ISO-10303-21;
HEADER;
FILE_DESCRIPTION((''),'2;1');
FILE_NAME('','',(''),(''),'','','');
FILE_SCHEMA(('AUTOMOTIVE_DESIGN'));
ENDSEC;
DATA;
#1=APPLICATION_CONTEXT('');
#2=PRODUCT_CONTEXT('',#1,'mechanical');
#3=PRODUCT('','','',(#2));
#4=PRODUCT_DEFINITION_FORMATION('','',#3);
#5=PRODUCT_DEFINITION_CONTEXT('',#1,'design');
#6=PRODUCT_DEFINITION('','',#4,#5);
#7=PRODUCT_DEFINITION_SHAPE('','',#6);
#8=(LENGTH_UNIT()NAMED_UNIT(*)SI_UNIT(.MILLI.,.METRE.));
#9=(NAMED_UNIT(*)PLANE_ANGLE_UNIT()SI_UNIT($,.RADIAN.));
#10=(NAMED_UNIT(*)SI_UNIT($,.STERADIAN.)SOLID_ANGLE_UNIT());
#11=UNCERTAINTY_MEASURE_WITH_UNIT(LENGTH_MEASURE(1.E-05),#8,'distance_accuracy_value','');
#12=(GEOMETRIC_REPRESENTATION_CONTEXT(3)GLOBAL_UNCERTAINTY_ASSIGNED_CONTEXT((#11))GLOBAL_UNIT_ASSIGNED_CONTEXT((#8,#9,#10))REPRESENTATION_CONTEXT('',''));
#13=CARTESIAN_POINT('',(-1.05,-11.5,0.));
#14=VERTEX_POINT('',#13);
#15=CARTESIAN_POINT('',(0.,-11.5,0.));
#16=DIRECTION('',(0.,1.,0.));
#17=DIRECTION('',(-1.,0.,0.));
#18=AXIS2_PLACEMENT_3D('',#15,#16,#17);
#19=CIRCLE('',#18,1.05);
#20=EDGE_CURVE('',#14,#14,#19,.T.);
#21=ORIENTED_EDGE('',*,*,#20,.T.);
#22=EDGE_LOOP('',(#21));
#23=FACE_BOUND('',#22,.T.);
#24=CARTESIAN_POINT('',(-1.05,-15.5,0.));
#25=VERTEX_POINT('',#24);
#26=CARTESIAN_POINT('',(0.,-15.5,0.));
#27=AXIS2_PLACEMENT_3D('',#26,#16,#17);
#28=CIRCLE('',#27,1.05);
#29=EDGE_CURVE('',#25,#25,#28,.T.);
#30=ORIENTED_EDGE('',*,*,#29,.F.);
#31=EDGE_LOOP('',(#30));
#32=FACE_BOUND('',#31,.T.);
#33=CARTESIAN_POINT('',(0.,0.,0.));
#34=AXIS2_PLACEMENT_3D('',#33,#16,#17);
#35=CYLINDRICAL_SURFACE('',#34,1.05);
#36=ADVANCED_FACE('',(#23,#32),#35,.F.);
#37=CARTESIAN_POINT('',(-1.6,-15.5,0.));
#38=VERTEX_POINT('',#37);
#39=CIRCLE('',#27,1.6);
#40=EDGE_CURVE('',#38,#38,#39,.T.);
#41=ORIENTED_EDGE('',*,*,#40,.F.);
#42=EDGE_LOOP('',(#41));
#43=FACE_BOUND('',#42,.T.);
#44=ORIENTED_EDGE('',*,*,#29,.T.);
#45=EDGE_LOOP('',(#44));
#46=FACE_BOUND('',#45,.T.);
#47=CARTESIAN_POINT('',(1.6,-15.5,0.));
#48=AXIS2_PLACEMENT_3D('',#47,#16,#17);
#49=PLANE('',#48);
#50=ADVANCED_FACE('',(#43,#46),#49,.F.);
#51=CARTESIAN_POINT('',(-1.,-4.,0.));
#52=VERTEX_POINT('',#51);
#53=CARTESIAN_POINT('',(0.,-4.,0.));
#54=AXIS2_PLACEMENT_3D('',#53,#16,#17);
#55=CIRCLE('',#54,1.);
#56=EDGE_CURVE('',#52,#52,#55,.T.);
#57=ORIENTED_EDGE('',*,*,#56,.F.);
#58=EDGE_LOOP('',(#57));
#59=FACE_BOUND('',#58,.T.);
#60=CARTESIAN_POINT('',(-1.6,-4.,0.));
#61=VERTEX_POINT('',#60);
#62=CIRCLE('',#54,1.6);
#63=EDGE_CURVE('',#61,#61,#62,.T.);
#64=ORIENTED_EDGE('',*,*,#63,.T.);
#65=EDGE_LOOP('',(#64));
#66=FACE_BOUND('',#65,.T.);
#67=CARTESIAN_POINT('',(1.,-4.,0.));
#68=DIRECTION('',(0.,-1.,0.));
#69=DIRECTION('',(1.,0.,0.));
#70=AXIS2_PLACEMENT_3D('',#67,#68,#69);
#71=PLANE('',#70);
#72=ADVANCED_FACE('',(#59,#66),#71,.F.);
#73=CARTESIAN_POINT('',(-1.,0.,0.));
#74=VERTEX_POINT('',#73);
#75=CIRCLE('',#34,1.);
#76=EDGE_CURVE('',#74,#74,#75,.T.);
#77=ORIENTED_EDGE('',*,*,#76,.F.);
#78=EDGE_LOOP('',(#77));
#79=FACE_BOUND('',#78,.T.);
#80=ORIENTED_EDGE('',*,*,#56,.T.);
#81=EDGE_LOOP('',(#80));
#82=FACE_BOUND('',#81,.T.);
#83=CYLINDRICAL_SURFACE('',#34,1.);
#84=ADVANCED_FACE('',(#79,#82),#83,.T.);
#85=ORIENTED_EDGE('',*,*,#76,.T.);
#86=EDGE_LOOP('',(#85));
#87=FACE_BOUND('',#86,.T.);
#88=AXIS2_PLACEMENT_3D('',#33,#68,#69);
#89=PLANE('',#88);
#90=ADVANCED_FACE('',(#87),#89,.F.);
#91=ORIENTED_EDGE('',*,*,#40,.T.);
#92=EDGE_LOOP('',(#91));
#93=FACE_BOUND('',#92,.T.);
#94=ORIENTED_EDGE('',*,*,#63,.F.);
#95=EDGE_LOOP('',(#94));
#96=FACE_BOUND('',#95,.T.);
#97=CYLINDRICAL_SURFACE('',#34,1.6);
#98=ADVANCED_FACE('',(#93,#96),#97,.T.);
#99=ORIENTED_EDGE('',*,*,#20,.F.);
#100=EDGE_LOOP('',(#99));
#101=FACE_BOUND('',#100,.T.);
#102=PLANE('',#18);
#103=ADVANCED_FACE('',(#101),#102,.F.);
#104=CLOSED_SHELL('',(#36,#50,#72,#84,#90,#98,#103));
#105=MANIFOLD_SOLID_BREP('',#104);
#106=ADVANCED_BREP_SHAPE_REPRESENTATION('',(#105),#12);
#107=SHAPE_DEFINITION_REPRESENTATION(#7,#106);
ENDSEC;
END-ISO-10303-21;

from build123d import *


with BuildPart() as part:
    # Sketch2 → Revolve1 (revolve)
    with BuildSketch(Plane.XY, mode=Mode.PRIVATE) as revolve1_sk:
        Polygon((0, 0), (1, 0), (1, -4), (1.6, -4), (1.6, -15.5), (1.05, -15.5), (1.05, -11.5), (0, -11.5), align=None)
    revolve(revolve1_sk.sketch.rotate(Axis((0, 0, 0), (0, -1, 0)), 180), axis=Axis((0, 0, 0), (0, -1, 0)))


solid = part.part
